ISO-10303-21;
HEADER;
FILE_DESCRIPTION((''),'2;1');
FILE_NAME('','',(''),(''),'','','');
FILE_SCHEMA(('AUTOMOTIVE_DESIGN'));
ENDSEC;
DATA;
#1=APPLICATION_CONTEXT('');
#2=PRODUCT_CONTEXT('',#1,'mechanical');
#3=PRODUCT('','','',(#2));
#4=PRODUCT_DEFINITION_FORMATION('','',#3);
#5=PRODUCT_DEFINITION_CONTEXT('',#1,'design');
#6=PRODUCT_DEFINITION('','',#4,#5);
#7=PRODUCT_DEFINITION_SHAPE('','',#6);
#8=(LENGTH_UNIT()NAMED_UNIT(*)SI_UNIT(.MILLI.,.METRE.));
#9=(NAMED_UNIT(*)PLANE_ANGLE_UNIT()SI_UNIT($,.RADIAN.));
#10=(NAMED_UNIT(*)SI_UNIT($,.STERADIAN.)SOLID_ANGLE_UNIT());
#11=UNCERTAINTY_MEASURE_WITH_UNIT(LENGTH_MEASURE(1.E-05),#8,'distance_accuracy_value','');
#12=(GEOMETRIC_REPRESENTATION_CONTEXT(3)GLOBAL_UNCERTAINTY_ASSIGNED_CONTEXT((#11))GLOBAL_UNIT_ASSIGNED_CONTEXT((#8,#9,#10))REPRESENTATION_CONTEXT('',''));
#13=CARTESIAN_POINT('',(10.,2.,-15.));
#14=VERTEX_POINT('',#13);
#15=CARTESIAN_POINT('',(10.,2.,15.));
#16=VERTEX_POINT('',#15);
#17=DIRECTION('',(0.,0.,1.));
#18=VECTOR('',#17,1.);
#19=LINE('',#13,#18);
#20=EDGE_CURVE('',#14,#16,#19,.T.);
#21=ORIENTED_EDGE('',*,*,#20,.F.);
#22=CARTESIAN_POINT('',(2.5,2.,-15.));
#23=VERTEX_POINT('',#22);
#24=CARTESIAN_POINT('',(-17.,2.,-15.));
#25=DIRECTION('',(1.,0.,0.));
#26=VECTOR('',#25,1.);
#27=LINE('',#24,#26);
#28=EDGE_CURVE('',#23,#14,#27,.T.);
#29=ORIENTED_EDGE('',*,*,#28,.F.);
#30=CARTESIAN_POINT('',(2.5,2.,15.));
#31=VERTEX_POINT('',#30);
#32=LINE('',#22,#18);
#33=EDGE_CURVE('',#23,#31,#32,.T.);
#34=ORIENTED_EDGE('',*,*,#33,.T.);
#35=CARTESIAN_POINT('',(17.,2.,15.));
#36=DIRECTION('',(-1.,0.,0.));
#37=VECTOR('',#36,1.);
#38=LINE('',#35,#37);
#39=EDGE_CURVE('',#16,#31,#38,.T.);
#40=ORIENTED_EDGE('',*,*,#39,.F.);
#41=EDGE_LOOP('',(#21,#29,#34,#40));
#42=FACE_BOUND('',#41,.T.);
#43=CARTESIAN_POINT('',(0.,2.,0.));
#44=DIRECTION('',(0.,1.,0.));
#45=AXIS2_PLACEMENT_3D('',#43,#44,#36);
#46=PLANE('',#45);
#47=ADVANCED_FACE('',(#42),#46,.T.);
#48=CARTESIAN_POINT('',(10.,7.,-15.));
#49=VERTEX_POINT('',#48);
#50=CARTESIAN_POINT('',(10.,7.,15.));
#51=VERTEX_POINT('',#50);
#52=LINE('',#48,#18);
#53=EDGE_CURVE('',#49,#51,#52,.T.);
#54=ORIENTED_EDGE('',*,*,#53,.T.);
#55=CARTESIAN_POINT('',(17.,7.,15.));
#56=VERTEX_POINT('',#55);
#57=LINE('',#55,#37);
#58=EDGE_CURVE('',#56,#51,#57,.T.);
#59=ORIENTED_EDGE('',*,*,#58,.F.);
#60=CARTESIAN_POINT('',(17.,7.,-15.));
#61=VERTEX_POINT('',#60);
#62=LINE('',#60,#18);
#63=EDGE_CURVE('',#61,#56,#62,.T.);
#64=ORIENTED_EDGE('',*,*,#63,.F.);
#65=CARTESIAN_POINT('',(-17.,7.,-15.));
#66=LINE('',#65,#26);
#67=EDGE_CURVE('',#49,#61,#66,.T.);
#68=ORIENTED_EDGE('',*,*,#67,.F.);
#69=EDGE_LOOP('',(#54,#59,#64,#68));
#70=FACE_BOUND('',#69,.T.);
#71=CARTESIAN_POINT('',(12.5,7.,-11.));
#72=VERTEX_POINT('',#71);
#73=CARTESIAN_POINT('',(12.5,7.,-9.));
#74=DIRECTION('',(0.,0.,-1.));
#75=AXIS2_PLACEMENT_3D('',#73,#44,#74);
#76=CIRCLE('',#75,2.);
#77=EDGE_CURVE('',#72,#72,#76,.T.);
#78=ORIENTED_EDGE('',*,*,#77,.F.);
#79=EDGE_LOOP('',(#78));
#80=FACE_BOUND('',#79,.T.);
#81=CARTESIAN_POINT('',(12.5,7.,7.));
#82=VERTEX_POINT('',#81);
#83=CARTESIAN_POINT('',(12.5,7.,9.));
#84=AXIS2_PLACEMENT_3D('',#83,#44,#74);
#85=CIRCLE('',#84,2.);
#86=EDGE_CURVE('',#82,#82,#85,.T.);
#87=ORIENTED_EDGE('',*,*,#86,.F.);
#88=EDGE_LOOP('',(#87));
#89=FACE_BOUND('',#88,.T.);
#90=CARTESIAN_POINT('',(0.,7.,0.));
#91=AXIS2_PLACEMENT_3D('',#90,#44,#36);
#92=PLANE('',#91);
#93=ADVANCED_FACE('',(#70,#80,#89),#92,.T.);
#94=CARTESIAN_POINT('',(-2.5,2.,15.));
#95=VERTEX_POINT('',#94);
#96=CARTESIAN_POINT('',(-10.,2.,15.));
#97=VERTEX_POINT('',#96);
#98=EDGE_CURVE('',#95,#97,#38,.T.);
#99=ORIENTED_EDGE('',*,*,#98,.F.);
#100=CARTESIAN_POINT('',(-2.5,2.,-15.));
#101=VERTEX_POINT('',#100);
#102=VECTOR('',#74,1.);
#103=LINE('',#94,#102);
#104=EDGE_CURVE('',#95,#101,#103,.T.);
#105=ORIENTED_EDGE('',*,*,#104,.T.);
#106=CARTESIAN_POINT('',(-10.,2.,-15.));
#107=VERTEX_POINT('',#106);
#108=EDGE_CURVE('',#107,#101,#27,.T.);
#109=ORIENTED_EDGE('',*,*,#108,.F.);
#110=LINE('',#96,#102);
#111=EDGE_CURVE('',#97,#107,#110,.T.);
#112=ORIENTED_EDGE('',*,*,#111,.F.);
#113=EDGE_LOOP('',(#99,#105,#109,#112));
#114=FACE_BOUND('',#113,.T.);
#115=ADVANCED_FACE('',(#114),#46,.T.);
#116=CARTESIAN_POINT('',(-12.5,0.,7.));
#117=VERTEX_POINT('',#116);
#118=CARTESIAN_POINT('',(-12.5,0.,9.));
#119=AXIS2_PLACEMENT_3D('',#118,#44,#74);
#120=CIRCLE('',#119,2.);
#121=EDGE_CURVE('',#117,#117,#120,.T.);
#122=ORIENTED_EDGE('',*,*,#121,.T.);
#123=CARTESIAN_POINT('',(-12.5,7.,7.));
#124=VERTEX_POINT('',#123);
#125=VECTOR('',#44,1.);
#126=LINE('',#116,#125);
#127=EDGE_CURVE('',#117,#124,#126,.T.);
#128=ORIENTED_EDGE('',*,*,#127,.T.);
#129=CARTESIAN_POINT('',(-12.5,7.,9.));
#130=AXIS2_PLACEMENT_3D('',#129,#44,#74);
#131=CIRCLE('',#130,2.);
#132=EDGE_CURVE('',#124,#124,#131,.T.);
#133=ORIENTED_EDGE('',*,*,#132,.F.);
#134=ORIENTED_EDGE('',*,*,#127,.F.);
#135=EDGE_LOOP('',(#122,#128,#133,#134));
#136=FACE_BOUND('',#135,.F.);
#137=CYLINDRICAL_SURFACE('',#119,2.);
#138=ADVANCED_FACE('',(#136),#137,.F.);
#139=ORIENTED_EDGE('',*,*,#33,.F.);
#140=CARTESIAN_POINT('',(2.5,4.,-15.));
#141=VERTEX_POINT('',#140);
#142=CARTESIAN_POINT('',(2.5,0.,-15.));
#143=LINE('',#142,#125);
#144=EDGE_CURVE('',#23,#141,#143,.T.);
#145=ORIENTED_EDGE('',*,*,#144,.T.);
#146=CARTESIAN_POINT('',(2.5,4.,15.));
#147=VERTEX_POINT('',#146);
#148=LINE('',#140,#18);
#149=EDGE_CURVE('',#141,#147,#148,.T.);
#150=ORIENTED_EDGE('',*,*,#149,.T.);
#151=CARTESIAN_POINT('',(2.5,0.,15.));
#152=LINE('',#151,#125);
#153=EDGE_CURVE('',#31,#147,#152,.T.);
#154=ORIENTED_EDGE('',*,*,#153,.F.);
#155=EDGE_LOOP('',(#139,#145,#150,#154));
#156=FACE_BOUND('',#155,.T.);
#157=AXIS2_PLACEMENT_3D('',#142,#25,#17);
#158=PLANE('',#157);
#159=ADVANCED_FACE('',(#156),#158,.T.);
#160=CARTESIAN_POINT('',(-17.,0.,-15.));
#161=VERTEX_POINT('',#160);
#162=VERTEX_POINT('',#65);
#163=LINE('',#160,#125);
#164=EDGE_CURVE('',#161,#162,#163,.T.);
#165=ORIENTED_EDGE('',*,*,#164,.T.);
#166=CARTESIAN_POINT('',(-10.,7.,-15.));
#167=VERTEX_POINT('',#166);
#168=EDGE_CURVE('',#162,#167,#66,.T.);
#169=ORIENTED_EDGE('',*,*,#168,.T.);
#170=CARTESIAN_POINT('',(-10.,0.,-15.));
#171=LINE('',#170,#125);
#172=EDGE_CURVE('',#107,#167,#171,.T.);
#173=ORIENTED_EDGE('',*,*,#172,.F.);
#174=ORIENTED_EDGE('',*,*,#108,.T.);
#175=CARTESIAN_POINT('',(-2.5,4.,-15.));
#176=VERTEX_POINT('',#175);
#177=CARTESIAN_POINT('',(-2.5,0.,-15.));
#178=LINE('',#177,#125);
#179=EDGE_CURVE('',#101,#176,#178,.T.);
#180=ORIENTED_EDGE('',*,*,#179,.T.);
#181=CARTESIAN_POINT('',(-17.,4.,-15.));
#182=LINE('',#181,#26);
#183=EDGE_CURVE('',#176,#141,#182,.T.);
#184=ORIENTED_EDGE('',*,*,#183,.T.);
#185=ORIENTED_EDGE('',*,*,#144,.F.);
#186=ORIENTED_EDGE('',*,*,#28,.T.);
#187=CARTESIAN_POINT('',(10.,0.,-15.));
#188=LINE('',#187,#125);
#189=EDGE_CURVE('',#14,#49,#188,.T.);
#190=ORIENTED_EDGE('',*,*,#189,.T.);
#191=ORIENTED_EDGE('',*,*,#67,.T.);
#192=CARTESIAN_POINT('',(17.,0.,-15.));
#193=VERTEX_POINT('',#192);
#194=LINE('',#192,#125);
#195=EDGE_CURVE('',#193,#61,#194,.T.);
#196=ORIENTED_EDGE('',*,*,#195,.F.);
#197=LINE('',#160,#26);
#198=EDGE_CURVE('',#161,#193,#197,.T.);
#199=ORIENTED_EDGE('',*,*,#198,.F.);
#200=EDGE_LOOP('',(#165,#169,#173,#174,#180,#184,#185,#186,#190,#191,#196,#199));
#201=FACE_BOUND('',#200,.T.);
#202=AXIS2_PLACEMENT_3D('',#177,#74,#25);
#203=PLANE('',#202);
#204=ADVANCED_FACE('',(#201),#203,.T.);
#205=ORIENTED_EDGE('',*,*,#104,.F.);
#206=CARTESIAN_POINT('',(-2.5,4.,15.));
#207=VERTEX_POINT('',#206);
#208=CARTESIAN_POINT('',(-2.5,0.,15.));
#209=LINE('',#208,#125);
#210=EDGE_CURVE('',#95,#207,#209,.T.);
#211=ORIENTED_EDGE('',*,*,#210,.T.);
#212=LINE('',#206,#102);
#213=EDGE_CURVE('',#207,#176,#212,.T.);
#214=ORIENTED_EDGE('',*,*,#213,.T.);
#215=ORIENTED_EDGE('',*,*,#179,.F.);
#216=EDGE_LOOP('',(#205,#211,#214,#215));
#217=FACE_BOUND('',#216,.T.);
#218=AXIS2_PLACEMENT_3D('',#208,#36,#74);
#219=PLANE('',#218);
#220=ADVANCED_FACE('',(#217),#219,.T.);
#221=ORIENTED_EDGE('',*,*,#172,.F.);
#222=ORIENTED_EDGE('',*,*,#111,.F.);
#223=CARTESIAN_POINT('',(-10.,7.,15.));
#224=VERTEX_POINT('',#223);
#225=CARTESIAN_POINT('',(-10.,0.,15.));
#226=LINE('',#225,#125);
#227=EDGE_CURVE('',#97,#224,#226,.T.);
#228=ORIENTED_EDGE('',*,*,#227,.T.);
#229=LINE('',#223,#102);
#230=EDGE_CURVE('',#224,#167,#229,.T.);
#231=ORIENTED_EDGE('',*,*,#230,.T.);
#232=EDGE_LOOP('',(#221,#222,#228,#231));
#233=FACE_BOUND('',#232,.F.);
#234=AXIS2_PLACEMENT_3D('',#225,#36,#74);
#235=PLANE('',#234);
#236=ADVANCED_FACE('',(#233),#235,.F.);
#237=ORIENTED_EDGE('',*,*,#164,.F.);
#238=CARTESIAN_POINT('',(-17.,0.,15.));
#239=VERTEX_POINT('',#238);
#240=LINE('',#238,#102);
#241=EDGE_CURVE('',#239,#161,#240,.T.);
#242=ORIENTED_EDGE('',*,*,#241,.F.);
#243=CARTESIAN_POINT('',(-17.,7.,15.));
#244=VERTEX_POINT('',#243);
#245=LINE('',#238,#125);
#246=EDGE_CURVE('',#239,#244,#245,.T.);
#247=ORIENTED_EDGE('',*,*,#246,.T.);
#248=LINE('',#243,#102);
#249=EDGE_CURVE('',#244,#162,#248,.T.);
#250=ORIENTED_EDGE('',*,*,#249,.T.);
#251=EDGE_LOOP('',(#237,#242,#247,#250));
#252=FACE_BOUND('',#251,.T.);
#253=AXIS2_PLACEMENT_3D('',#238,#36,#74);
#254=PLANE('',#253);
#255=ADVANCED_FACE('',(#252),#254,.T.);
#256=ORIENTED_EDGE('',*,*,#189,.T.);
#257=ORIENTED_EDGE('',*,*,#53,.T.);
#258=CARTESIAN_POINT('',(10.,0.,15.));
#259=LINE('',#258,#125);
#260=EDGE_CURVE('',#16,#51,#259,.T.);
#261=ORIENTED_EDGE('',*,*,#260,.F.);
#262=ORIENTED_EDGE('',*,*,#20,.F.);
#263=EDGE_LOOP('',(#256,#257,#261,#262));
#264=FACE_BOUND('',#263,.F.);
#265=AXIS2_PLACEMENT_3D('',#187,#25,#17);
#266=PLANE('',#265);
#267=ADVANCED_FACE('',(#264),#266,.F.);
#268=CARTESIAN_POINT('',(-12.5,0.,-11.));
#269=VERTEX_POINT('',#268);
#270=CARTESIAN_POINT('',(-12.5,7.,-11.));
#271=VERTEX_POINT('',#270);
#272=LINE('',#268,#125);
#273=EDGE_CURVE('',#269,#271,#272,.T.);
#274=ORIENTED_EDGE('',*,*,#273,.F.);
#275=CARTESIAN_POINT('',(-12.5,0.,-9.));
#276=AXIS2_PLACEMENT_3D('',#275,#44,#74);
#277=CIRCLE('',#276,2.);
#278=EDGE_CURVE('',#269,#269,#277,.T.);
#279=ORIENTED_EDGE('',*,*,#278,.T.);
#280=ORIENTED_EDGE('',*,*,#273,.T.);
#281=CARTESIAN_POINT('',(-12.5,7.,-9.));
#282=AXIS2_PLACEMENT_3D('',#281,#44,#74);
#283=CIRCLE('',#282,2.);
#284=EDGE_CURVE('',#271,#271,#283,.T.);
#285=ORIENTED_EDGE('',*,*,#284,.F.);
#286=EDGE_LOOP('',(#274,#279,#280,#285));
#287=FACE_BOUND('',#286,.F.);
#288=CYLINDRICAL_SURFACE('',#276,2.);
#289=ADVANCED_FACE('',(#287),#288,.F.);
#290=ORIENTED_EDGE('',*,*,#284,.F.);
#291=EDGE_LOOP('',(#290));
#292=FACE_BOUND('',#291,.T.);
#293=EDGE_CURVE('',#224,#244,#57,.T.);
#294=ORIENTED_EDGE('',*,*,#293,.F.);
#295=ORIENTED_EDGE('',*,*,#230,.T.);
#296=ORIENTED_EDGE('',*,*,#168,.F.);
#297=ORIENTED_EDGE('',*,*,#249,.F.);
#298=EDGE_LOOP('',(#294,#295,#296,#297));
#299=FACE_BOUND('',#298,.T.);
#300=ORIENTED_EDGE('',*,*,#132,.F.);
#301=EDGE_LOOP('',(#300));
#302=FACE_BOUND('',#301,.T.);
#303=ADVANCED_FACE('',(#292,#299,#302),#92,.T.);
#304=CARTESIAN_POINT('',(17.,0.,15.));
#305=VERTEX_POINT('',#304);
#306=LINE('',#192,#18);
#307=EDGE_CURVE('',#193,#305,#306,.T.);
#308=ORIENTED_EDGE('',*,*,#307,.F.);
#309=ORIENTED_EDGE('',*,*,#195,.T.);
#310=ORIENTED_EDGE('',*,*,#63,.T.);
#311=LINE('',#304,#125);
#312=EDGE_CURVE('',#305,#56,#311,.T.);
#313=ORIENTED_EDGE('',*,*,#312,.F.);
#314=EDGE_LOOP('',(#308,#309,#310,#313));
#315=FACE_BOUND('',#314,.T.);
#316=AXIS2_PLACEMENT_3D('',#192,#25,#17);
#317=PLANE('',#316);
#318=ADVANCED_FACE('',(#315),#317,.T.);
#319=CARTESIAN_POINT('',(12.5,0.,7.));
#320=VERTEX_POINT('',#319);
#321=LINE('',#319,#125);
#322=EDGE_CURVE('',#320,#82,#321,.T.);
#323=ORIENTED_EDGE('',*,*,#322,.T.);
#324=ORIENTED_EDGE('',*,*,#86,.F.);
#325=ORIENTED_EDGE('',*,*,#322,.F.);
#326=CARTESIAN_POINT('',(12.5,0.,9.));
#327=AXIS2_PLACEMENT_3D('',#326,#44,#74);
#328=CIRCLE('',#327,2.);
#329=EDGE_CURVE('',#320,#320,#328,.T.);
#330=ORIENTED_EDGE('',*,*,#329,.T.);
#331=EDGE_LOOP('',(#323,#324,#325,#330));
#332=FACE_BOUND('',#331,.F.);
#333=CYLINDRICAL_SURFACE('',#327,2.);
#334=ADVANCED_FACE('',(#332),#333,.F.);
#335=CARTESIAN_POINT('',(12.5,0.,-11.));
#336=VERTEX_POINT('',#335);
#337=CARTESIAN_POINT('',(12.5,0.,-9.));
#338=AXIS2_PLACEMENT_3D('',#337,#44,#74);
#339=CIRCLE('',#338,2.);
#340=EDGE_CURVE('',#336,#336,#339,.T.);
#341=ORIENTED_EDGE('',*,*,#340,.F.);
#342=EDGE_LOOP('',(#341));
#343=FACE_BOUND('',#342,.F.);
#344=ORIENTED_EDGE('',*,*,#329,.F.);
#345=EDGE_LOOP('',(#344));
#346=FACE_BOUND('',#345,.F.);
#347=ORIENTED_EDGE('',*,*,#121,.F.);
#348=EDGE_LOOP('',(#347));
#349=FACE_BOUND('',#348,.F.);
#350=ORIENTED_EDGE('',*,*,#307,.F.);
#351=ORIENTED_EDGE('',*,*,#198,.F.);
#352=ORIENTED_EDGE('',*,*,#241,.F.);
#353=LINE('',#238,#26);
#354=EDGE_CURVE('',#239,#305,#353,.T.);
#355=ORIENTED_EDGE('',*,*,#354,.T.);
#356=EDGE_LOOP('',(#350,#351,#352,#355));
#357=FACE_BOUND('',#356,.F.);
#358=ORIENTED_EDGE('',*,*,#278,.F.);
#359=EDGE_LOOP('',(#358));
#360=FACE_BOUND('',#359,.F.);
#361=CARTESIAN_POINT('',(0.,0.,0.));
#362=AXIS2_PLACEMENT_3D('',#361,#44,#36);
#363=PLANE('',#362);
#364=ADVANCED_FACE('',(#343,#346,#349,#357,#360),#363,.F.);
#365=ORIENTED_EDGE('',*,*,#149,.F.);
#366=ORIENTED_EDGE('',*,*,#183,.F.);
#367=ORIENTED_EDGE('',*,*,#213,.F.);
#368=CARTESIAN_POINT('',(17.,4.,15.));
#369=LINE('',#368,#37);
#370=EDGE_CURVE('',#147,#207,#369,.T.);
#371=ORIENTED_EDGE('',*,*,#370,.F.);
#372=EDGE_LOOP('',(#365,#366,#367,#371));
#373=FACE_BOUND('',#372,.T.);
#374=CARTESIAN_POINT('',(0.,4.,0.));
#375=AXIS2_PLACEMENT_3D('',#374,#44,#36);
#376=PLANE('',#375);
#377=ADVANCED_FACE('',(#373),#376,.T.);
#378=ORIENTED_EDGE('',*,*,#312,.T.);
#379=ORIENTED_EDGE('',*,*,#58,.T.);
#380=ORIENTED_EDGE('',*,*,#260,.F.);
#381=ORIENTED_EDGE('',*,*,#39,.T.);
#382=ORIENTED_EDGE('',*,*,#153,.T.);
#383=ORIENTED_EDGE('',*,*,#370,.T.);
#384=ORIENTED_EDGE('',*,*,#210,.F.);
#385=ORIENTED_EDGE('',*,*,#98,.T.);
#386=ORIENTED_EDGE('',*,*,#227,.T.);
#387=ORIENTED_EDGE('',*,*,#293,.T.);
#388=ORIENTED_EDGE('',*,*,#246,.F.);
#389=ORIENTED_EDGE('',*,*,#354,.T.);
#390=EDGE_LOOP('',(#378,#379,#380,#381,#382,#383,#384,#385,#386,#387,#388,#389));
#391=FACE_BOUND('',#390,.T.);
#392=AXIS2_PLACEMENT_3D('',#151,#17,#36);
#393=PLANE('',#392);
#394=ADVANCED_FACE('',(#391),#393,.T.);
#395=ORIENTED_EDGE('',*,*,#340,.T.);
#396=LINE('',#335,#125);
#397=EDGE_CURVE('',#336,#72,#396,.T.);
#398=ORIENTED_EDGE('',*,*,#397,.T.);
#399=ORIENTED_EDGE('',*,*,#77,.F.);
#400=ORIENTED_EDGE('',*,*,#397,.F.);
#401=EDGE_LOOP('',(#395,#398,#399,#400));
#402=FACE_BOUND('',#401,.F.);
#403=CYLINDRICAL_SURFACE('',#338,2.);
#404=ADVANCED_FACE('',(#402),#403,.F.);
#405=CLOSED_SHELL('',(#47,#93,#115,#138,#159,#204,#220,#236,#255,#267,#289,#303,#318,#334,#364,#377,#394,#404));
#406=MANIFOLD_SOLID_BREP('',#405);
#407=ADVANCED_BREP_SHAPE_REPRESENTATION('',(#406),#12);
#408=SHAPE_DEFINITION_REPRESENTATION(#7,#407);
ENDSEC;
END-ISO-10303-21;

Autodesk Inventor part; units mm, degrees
ref_plane "YZ Plane" through (0, 0, 0) normal (1, 0, 0) x (0, 1, 0)
ref_plane "XZ Plane" through (0, 0, 0) normal (0, 1, 0) x (-1, 0, 0)
ref_plane "XY Plane" through (0, 0, 0) normal (0, 0, 1) x (1, 0, 0)
sketch "Sketch1" plane through (0, 0, 0) normal (0, 1, 0) x (-1, 0, 0)
  line L0 (-17, 15) -> (17, 15)
  line L1 (17, 15) -> (17, -15)
  line L2 (17, -15) -> (-17, -15)
  line L3 (-17, -15) -> (-17, 15)
  line L4 (-17, 15) -> (17, -15) construction
  line L5 (17, 15) -> (-17, -15) construction
  line L6 (-10, 15) -> (10, 15)
  line L7 (10, 15) -> (10, -15)
  line L8 (10, -15) -> (-10, -15)
  line L9 (-10, -15) -> (-10, 15)
  line L10 (-10, 15) -> (10, -15) construction
  line L11 (10, 15) -> (-10, -15) construction
  line L12 (-2.5, 15) -> (2.5, 15)
  line L13 (2.5, 15) -> (2.5, -15)
  line L14 (2.5, -15) -> (-2.5, -15)
  line L15 (-2.5, -15) -> (-2.5, 15)
  line L16 (-2.5, 15) -> (2.5, -15) construction
  line L17 (2.5, 15) -> (-2.5, -15) construction
  point P0 (0, 0)
  point P1 (12.5, 9)
  dimension "d0" = 20
  dimension "d1" = 5
  dimension "d2" = 34
  dimension "d3" = 30
  dimension "d4" = 6
  dimension "d5" = 4.5
extrude "Extrusion1" add sketch "Sketch1" along normal blind 2 contours L0 L15 L2 L9 | L0 L7 L2 L13
extrude "Extrusion2" add sketch "Sketch1" along normal blind 7 contours L0 L9 L2 L3 | L0 L1 L2 L7
extrude "Extrusion3" add sketch "Sketch1" along normal blind 4 contours L0 L13 L2 L15
hole "Hole1" at (-12.5, 0, 9) direction (0, 1, 0) diameter 4 end through all
pattern_linear "Rectangular Pattern1" count 2 spacing 18 along (0, 0, -1) count 2 spacing 25 along (1, 0, 0) of "Hole1"
properties part number "Linear Bearing Platform Adapter Back" material "PC/ABS Plastic"
